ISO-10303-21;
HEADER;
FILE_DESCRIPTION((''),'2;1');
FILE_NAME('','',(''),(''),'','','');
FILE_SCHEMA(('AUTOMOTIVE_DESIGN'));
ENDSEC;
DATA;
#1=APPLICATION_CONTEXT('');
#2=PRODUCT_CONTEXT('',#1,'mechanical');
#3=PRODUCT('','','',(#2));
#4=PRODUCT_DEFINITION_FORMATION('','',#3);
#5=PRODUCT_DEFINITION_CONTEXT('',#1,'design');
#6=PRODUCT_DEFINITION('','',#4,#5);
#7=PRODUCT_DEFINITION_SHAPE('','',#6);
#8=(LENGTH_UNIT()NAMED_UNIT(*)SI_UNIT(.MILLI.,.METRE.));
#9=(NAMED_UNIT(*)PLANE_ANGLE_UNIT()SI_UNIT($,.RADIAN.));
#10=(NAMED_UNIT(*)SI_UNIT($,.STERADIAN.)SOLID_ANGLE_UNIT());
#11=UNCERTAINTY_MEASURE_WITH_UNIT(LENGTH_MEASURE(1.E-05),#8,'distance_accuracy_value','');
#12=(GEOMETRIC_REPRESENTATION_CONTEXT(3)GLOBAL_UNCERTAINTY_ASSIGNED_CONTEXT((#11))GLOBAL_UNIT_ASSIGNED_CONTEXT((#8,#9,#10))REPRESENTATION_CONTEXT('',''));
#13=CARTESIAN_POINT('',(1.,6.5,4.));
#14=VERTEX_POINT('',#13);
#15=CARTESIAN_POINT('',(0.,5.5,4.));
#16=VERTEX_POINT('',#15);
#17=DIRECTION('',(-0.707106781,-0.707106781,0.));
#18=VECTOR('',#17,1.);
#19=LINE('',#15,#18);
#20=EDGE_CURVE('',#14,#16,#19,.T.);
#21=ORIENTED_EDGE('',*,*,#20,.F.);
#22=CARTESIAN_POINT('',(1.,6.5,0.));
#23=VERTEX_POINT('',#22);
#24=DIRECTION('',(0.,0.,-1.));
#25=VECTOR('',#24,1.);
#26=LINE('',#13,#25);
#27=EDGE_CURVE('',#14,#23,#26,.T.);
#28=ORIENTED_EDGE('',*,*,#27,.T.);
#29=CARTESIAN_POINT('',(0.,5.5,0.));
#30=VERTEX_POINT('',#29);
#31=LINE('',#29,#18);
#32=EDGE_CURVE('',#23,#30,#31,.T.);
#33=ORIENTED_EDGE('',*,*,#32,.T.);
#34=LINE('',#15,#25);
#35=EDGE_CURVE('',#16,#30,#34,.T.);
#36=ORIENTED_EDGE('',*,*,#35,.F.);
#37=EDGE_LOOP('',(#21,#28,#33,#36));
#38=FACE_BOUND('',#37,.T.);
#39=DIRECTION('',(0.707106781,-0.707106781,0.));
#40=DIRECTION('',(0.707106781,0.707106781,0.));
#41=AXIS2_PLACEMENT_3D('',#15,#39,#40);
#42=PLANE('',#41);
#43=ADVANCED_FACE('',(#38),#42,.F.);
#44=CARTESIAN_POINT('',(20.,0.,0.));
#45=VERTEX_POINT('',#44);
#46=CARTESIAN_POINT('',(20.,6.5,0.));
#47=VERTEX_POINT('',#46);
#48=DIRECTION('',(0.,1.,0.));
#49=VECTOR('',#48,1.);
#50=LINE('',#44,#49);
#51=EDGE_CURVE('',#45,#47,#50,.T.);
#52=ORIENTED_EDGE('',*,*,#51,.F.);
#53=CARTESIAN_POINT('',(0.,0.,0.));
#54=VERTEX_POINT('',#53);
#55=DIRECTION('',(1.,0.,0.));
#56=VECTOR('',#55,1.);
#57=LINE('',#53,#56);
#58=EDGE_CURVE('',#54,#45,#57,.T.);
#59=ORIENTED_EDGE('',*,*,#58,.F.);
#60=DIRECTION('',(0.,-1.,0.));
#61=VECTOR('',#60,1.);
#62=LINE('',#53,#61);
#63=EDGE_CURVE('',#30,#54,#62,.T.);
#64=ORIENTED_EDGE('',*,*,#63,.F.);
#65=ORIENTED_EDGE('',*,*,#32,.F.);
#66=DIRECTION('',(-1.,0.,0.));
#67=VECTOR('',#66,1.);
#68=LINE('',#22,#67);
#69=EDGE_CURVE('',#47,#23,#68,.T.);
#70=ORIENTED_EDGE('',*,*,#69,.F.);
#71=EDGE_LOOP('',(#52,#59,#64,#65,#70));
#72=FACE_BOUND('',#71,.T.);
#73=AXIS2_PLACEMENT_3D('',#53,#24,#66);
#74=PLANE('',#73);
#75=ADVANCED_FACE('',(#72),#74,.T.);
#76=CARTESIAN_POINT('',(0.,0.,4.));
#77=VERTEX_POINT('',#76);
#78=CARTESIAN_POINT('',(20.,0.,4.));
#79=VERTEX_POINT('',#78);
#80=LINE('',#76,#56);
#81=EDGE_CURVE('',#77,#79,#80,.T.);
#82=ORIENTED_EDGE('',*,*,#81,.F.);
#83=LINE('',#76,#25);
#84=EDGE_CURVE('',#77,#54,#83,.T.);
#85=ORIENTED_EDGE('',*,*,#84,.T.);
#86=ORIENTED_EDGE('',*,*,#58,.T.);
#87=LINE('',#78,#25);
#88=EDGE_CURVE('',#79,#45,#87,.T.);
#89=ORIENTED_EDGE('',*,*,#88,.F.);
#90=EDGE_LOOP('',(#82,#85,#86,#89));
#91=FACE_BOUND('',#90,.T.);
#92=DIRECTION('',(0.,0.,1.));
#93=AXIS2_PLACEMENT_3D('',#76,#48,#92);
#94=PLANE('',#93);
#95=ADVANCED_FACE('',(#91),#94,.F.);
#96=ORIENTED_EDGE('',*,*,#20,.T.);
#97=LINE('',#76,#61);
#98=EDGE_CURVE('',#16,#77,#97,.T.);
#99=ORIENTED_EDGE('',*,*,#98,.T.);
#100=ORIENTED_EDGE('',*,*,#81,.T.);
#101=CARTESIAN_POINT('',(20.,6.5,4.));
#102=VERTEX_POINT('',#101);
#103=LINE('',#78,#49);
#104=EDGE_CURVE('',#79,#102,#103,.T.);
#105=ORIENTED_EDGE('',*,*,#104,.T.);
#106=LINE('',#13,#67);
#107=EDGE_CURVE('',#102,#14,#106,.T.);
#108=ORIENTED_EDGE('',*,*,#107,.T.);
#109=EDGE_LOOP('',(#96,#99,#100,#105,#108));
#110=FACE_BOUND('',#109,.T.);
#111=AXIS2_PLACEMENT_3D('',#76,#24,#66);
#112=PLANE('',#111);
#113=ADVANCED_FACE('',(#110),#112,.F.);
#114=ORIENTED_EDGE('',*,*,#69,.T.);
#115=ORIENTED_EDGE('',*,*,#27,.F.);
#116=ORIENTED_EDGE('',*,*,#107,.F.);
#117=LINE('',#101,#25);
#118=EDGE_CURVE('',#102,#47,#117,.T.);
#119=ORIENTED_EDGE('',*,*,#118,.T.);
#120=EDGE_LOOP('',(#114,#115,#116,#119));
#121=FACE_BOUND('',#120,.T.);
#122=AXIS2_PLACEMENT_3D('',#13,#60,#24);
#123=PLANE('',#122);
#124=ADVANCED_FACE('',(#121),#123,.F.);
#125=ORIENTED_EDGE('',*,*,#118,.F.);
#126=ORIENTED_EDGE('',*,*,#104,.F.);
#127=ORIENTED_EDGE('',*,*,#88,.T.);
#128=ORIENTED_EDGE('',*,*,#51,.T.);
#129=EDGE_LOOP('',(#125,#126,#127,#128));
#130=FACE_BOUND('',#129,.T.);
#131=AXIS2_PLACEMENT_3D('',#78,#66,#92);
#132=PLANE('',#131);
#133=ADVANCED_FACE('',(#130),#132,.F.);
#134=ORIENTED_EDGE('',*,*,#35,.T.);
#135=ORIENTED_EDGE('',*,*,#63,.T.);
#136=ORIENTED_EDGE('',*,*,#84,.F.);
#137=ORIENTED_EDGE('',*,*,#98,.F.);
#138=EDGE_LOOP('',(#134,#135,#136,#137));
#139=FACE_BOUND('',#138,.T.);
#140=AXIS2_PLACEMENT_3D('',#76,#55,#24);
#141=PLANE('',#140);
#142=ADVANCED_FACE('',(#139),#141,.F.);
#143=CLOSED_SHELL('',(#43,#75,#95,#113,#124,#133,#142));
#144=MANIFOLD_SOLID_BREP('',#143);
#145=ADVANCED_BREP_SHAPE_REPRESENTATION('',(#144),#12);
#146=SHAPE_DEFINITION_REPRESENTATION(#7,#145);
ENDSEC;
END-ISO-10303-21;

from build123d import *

# Parameters (mm, degrees)
AUFSATZ_LINEAR_AUSTRAGEN1_DEPTH = 4


with BuildPart() as part:
    # Skizze1 → Aufsatz-Linear austragen1 (new body)
    with BuildSketch(Plane.XY):
        Polygon((0, 5.5), (1, 6.5), (20, 6.5), (20, 0), (0, 0), align=None)
    extrude(amount=AUFSATZ_LINEAR_AUSTRAGEN1_DEPTH)


solid = part.part
